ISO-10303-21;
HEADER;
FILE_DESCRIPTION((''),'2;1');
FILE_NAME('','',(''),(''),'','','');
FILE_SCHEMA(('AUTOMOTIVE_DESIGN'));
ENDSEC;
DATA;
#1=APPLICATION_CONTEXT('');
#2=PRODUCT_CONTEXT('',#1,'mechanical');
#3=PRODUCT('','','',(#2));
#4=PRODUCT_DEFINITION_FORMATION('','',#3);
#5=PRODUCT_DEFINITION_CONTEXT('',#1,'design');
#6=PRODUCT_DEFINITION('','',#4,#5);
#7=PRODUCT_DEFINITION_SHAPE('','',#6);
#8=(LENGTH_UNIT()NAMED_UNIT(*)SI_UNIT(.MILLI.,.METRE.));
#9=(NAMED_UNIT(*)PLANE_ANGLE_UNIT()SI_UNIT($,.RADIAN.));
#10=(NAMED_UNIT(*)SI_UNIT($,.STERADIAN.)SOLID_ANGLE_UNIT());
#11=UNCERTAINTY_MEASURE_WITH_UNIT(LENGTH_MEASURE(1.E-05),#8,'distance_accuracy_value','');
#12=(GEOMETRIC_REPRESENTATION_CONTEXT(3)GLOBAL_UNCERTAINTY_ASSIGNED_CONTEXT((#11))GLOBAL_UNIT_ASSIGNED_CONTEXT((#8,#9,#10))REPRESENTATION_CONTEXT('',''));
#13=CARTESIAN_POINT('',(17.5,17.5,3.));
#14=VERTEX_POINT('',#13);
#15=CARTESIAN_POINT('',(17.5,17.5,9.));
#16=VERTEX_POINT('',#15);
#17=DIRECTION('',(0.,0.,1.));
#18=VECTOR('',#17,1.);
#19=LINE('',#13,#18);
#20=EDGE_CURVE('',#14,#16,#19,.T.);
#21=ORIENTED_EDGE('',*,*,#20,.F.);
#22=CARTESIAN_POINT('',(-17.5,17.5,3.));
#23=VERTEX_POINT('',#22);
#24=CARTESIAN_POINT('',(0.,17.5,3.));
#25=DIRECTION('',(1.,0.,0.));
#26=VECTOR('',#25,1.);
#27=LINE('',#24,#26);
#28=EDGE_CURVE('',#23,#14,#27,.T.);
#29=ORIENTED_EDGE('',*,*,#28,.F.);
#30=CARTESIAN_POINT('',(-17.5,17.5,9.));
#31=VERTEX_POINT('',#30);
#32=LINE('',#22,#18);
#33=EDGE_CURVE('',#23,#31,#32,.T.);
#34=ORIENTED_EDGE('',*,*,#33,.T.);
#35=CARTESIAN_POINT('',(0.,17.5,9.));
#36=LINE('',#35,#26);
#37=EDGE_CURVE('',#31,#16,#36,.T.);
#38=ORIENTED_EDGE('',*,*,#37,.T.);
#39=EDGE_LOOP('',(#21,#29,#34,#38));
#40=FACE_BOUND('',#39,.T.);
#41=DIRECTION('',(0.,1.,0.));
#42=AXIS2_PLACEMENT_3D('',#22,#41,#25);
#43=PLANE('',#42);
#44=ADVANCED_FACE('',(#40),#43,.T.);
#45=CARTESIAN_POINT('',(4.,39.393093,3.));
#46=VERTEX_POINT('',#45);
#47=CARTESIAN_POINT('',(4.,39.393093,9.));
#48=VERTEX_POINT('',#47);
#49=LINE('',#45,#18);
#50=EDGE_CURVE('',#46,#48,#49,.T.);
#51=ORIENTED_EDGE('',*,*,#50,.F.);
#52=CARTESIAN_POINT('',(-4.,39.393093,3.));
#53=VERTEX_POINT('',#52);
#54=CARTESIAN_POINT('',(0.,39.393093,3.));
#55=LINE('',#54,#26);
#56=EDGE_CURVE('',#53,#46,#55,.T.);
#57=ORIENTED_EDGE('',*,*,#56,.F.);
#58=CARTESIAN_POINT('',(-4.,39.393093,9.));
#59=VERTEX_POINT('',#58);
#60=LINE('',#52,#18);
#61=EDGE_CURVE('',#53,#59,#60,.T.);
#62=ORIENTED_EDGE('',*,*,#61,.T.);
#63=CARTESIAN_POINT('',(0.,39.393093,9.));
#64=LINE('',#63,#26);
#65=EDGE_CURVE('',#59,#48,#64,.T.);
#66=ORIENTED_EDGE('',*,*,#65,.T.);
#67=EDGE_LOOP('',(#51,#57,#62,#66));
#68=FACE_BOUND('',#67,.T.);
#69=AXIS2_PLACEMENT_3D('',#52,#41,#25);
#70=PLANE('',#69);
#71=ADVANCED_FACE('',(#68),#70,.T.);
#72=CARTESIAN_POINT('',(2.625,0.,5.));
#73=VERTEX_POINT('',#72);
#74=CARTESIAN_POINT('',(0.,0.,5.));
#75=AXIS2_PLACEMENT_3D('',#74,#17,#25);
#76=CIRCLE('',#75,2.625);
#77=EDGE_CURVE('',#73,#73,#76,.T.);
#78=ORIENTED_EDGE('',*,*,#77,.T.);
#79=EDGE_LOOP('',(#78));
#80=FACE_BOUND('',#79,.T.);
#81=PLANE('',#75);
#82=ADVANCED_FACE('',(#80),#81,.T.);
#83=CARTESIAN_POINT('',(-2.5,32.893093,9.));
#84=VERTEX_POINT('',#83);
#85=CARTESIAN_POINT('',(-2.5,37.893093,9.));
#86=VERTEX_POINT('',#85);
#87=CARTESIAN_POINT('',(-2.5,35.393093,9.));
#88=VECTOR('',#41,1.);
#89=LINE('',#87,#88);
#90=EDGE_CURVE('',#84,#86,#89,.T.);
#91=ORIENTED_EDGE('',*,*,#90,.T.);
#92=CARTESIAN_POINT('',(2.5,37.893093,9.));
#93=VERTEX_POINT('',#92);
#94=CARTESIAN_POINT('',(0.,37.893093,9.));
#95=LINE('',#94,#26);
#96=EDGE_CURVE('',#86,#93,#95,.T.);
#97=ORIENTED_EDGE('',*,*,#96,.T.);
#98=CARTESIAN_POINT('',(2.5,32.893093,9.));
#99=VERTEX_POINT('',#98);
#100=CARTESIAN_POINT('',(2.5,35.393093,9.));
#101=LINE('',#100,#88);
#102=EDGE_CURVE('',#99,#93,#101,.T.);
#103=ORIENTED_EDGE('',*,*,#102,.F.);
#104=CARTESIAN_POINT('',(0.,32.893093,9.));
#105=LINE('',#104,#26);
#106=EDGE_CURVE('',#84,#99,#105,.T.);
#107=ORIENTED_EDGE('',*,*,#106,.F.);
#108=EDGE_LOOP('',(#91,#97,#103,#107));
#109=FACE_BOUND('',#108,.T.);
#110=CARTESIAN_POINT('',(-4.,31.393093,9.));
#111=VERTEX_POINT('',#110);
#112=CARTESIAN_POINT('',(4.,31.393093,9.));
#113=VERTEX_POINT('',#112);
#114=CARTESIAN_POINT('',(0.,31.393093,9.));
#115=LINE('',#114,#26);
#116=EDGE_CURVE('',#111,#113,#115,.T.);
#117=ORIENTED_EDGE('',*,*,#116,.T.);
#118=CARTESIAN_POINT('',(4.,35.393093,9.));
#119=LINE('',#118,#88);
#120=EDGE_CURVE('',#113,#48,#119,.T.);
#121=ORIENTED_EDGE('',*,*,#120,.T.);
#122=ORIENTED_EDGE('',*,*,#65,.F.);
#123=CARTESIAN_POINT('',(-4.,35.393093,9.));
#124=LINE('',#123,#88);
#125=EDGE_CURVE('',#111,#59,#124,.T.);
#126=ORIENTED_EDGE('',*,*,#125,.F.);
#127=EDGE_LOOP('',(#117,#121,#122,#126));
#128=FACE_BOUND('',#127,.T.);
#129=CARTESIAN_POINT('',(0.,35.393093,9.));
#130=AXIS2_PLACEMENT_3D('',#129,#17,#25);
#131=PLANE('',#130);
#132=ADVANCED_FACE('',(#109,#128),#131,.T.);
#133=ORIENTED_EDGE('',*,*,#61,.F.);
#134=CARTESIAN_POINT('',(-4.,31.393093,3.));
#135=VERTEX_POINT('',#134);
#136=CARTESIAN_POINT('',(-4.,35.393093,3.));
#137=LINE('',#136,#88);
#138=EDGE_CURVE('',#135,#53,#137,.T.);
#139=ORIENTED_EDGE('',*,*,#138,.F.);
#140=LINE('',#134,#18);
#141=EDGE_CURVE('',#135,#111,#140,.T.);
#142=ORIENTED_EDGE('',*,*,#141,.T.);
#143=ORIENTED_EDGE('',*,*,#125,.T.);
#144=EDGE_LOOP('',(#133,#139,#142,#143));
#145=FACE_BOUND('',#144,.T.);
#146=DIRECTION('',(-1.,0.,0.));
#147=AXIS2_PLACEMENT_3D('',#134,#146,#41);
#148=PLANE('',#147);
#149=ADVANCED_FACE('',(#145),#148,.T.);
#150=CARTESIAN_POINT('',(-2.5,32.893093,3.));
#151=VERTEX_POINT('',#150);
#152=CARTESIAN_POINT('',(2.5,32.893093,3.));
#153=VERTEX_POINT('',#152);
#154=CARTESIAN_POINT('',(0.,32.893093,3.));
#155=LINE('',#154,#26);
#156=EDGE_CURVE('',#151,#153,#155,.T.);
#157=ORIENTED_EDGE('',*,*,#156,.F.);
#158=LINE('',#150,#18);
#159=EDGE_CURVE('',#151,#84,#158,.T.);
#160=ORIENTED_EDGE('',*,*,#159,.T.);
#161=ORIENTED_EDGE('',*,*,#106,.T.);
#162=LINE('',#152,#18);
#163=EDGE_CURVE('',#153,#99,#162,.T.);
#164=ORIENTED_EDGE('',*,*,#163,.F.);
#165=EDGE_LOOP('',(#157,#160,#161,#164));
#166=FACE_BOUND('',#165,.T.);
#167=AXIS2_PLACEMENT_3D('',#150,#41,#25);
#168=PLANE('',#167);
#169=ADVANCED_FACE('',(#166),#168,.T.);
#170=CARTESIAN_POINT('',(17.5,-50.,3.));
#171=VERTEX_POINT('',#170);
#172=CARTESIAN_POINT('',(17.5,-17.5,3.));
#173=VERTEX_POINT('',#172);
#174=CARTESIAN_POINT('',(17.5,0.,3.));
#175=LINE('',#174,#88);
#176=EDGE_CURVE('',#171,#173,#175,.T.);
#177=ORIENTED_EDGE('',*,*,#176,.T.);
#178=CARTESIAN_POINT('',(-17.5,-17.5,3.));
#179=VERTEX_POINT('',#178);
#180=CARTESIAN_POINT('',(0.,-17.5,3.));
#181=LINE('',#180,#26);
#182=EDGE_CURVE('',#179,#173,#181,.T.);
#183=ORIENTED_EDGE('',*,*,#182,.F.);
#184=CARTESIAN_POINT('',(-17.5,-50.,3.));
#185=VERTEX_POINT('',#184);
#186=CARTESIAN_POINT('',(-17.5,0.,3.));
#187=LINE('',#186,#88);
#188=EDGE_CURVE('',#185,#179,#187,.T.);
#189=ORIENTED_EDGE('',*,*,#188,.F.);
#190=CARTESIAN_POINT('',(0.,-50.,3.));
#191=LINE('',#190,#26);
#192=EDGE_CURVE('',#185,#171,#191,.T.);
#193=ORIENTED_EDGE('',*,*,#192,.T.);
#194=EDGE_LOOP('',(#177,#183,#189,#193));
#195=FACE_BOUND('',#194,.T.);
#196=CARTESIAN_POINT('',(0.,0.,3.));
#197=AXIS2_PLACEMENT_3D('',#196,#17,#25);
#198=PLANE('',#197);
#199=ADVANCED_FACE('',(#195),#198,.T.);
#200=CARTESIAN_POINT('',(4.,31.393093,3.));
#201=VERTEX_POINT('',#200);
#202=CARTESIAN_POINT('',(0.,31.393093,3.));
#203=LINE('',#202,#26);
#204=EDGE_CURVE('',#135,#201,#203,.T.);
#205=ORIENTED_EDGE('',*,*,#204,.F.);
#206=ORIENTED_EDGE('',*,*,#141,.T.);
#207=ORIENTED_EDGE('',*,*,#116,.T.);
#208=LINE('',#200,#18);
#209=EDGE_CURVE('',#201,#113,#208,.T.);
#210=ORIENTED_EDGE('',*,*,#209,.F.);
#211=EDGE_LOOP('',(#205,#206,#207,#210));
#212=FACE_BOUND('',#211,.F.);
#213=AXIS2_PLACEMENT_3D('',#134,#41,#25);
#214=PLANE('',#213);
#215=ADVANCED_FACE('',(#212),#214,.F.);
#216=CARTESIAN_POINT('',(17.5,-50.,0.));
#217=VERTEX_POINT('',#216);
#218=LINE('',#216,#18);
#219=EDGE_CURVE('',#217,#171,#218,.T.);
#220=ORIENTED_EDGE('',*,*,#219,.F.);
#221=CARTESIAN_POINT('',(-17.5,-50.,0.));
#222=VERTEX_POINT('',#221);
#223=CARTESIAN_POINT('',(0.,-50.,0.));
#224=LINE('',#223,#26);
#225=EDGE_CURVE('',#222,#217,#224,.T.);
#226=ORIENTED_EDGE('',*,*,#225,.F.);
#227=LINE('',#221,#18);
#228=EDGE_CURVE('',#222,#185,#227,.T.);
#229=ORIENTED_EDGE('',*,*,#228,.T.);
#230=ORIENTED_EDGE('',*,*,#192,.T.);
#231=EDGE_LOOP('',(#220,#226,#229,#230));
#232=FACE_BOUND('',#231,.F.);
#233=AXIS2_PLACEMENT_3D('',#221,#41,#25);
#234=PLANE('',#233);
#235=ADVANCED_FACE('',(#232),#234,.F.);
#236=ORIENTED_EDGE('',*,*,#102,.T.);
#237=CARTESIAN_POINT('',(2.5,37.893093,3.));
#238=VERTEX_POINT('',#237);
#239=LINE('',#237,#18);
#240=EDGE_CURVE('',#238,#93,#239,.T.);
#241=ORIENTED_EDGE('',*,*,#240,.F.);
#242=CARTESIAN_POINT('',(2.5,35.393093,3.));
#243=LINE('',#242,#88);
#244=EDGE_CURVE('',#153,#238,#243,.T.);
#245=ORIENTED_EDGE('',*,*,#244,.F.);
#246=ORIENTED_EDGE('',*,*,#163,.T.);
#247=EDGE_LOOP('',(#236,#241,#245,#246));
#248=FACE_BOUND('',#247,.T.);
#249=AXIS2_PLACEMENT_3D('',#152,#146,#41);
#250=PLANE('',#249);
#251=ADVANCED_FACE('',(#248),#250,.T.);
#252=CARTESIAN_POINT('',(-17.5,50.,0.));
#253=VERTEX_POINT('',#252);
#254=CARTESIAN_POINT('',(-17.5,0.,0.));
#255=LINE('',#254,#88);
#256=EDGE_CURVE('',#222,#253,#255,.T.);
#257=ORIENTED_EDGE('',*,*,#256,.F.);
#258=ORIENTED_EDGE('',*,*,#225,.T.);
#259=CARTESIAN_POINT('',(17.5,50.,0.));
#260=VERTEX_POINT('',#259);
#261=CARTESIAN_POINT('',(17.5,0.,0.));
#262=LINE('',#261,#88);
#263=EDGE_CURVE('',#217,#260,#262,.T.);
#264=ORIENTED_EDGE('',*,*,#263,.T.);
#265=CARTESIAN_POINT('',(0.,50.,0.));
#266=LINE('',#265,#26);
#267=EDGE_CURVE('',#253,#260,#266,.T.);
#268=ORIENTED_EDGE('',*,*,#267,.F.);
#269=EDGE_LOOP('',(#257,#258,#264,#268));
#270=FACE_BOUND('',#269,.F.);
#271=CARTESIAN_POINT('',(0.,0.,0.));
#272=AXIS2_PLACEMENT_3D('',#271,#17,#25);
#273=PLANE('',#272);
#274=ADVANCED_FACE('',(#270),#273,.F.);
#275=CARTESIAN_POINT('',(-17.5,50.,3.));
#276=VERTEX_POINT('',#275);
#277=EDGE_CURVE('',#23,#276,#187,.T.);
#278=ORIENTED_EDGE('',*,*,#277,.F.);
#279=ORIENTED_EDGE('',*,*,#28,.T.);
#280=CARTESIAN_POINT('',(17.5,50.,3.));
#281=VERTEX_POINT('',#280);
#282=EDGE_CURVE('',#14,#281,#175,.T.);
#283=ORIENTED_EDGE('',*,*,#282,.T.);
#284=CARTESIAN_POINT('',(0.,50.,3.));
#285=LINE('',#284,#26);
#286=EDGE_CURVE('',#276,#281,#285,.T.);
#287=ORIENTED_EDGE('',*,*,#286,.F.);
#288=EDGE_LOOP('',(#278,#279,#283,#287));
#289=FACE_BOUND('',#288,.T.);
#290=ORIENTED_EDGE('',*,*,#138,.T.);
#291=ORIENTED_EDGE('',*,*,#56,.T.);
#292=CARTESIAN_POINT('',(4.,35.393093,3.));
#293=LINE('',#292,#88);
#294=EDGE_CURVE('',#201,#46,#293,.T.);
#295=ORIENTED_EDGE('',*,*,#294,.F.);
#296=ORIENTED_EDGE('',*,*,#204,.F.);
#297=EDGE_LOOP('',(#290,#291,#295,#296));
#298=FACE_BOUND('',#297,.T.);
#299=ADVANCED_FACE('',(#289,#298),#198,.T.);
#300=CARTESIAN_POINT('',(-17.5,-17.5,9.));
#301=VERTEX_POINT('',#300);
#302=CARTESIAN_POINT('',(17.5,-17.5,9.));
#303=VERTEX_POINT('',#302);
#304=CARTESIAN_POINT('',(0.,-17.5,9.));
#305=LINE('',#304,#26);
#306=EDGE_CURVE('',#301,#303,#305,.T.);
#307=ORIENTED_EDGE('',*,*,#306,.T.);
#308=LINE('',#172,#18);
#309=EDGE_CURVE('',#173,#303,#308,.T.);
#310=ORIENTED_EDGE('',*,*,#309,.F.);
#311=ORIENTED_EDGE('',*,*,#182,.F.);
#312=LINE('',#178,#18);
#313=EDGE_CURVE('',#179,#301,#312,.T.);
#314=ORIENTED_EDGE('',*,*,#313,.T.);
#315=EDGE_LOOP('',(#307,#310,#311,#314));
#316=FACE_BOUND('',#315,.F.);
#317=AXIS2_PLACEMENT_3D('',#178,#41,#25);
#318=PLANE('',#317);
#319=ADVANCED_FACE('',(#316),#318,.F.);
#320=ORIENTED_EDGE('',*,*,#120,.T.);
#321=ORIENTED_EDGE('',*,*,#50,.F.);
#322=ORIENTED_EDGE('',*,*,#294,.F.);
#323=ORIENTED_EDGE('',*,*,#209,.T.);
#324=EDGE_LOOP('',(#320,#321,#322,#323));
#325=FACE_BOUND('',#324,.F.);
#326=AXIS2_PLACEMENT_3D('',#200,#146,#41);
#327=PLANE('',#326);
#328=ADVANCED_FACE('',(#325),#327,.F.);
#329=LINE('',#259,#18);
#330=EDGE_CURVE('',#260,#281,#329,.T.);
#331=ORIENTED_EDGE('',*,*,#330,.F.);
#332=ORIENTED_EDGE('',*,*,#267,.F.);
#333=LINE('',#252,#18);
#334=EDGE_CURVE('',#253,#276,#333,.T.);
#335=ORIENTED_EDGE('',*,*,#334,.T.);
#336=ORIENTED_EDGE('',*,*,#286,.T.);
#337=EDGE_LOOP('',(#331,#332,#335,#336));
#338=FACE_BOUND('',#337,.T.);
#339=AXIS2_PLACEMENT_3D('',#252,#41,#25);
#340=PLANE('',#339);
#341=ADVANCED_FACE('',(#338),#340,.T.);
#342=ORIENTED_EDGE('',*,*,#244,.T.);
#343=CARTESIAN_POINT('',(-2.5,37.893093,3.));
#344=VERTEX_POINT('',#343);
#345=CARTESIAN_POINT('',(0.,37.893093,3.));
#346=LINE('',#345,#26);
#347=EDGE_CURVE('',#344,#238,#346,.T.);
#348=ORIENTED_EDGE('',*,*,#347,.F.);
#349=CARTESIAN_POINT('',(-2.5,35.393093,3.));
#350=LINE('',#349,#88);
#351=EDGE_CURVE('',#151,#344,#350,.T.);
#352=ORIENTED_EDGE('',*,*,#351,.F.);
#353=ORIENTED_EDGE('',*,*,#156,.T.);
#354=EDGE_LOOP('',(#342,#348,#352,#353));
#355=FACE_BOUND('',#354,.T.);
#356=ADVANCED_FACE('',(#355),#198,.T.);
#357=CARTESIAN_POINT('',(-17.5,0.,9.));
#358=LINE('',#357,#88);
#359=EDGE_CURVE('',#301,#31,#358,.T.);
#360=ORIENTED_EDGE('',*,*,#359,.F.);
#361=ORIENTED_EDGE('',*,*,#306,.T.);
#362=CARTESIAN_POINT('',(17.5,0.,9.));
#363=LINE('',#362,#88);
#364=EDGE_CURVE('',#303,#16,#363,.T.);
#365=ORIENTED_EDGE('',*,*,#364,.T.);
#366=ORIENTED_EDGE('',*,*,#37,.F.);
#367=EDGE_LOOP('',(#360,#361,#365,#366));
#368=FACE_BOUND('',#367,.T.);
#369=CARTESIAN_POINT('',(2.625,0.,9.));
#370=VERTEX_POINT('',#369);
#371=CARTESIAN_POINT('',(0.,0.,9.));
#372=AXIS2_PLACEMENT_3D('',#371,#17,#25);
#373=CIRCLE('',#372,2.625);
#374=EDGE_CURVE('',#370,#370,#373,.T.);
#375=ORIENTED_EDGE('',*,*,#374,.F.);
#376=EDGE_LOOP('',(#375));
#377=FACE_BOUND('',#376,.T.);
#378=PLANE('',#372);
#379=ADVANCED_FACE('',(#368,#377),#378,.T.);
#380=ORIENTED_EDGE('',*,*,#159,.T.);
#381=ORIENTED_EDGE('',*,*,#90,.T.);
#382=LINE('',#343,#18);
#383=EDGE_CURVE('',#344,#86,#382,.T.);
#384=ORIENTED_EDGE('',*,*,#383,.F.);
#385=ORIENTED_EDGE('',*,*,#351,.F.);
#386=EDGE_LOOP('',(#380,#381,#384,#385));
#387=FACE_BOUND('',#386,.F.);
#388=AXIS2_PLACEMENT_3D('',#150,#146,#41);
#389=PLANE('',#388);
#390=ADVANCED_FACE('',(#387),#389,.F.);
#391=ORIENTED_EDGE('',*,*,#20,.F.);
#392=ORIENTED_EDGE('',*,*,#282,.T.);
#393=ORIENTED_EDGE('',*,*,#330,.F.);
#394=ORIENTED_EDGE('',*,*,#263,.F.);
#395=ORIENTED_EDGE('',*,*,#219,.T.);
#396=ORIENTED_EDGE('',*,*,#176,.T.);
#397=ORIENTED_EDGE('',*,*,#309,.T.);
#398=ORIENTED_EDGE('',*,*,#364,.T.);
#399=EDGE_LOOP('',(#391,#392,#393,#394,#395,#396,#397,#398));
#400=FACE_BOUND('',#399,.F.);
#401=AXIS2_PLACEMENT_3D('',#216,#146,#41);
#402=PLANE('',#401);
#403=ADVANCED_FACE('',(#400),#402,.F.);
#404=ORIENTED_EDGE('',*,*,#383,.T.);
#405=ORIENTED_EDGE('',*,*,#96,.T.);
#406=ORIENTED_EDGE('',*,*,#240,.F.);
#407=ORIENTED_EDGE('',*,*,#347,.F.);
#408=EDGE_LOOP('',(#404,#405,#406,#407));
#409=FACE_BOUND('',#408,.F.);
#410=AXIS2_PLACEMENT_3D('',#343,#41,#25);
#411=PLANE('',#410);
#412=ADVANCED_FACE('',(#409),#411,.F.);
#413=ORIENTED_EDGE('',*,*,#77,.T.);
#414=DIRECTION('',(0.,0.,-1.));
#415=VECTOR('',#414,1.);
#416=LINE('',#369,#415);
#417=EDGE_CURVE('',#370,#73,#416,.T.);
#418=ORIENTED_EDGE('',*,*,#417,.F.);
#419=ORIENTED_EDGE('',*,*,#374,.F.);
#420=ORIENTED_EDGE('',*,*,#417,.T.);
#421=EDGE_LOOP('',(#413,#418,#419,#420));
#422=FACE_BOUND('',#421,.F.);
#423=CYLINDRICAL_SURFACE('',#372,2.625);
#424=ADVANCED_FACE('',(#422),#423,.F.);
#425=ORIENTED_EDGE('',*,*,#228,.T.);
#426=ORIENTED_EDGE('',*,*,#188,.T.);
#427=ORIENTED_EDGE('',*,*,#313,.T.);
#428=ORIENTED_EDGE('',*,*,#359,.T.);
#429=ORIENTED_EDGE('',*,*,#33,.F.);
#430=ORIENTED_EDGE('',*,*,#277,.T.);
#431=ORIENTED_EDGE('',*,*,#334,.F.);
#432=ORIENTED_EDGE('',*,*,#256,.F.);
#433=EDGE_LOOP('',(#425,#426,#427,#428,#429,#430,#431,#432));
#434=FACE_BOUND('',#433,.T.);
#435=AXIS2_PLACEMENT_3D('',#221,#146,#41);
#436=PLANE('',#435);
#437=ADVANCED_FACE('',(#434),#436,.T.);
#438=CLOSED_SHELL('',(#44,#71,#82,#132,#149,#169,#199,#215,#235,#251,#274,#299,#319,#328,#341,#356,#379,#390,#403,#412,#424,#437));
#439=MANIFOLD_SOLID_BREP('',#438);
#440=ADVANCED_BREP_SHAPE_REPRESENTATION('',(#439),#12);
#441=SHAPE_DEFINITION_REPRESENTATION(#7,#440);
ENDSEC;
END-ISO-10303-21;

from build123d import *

# Parameters (mm, degrees)
F0_W     = 35
F0_H     = 100
F1_DEPTH = 3
F2_W     = 35
F2_H     = 35
F3_DEPTH = 6
F4_R     = 2.625
F5_DEPTH = 4
F6_W     = 8
F6_H     = 8
F6_W_2   = 5
F6_H_2   = 5
F7_DEPTH = 6


with BuildPart() as f1:
    # F0 (on Top) → F1 (new body)
    with BuildSketch(Plane.XY):
        Rectangle(F0_W, F0_H)
    extrude(amount=F1_DEPTH)

    # F2 (on face) → F3 (join)
    with BuildSketch(Plane.XY.offset(3)):
        Rectangle(F2_W, F2_H)
    extrude(amount=F3_DEPTH)

    # F4 (on face) → F5 (cut)
    with BuildSketch(Plane.XY.offset(9)):
        Circle(F4_R)
    extrude(amount=-F5_DEPTH, mode=Mode.SUBTRACT)

    # F6 (on face) → F7 (join)
    with BuildSketch(Plane.XY.offset(3)):
        with Locations((0, 35.393093)):
            Rectangle(F6_W, F6_H)
        with Locations((0, 35.393093)):
            Rectangle(F6_W_2, F6_H_2, mode=Mode.SUBTRACT)
    extrude(amount=F7_DEPTH)


solid = f1.part
